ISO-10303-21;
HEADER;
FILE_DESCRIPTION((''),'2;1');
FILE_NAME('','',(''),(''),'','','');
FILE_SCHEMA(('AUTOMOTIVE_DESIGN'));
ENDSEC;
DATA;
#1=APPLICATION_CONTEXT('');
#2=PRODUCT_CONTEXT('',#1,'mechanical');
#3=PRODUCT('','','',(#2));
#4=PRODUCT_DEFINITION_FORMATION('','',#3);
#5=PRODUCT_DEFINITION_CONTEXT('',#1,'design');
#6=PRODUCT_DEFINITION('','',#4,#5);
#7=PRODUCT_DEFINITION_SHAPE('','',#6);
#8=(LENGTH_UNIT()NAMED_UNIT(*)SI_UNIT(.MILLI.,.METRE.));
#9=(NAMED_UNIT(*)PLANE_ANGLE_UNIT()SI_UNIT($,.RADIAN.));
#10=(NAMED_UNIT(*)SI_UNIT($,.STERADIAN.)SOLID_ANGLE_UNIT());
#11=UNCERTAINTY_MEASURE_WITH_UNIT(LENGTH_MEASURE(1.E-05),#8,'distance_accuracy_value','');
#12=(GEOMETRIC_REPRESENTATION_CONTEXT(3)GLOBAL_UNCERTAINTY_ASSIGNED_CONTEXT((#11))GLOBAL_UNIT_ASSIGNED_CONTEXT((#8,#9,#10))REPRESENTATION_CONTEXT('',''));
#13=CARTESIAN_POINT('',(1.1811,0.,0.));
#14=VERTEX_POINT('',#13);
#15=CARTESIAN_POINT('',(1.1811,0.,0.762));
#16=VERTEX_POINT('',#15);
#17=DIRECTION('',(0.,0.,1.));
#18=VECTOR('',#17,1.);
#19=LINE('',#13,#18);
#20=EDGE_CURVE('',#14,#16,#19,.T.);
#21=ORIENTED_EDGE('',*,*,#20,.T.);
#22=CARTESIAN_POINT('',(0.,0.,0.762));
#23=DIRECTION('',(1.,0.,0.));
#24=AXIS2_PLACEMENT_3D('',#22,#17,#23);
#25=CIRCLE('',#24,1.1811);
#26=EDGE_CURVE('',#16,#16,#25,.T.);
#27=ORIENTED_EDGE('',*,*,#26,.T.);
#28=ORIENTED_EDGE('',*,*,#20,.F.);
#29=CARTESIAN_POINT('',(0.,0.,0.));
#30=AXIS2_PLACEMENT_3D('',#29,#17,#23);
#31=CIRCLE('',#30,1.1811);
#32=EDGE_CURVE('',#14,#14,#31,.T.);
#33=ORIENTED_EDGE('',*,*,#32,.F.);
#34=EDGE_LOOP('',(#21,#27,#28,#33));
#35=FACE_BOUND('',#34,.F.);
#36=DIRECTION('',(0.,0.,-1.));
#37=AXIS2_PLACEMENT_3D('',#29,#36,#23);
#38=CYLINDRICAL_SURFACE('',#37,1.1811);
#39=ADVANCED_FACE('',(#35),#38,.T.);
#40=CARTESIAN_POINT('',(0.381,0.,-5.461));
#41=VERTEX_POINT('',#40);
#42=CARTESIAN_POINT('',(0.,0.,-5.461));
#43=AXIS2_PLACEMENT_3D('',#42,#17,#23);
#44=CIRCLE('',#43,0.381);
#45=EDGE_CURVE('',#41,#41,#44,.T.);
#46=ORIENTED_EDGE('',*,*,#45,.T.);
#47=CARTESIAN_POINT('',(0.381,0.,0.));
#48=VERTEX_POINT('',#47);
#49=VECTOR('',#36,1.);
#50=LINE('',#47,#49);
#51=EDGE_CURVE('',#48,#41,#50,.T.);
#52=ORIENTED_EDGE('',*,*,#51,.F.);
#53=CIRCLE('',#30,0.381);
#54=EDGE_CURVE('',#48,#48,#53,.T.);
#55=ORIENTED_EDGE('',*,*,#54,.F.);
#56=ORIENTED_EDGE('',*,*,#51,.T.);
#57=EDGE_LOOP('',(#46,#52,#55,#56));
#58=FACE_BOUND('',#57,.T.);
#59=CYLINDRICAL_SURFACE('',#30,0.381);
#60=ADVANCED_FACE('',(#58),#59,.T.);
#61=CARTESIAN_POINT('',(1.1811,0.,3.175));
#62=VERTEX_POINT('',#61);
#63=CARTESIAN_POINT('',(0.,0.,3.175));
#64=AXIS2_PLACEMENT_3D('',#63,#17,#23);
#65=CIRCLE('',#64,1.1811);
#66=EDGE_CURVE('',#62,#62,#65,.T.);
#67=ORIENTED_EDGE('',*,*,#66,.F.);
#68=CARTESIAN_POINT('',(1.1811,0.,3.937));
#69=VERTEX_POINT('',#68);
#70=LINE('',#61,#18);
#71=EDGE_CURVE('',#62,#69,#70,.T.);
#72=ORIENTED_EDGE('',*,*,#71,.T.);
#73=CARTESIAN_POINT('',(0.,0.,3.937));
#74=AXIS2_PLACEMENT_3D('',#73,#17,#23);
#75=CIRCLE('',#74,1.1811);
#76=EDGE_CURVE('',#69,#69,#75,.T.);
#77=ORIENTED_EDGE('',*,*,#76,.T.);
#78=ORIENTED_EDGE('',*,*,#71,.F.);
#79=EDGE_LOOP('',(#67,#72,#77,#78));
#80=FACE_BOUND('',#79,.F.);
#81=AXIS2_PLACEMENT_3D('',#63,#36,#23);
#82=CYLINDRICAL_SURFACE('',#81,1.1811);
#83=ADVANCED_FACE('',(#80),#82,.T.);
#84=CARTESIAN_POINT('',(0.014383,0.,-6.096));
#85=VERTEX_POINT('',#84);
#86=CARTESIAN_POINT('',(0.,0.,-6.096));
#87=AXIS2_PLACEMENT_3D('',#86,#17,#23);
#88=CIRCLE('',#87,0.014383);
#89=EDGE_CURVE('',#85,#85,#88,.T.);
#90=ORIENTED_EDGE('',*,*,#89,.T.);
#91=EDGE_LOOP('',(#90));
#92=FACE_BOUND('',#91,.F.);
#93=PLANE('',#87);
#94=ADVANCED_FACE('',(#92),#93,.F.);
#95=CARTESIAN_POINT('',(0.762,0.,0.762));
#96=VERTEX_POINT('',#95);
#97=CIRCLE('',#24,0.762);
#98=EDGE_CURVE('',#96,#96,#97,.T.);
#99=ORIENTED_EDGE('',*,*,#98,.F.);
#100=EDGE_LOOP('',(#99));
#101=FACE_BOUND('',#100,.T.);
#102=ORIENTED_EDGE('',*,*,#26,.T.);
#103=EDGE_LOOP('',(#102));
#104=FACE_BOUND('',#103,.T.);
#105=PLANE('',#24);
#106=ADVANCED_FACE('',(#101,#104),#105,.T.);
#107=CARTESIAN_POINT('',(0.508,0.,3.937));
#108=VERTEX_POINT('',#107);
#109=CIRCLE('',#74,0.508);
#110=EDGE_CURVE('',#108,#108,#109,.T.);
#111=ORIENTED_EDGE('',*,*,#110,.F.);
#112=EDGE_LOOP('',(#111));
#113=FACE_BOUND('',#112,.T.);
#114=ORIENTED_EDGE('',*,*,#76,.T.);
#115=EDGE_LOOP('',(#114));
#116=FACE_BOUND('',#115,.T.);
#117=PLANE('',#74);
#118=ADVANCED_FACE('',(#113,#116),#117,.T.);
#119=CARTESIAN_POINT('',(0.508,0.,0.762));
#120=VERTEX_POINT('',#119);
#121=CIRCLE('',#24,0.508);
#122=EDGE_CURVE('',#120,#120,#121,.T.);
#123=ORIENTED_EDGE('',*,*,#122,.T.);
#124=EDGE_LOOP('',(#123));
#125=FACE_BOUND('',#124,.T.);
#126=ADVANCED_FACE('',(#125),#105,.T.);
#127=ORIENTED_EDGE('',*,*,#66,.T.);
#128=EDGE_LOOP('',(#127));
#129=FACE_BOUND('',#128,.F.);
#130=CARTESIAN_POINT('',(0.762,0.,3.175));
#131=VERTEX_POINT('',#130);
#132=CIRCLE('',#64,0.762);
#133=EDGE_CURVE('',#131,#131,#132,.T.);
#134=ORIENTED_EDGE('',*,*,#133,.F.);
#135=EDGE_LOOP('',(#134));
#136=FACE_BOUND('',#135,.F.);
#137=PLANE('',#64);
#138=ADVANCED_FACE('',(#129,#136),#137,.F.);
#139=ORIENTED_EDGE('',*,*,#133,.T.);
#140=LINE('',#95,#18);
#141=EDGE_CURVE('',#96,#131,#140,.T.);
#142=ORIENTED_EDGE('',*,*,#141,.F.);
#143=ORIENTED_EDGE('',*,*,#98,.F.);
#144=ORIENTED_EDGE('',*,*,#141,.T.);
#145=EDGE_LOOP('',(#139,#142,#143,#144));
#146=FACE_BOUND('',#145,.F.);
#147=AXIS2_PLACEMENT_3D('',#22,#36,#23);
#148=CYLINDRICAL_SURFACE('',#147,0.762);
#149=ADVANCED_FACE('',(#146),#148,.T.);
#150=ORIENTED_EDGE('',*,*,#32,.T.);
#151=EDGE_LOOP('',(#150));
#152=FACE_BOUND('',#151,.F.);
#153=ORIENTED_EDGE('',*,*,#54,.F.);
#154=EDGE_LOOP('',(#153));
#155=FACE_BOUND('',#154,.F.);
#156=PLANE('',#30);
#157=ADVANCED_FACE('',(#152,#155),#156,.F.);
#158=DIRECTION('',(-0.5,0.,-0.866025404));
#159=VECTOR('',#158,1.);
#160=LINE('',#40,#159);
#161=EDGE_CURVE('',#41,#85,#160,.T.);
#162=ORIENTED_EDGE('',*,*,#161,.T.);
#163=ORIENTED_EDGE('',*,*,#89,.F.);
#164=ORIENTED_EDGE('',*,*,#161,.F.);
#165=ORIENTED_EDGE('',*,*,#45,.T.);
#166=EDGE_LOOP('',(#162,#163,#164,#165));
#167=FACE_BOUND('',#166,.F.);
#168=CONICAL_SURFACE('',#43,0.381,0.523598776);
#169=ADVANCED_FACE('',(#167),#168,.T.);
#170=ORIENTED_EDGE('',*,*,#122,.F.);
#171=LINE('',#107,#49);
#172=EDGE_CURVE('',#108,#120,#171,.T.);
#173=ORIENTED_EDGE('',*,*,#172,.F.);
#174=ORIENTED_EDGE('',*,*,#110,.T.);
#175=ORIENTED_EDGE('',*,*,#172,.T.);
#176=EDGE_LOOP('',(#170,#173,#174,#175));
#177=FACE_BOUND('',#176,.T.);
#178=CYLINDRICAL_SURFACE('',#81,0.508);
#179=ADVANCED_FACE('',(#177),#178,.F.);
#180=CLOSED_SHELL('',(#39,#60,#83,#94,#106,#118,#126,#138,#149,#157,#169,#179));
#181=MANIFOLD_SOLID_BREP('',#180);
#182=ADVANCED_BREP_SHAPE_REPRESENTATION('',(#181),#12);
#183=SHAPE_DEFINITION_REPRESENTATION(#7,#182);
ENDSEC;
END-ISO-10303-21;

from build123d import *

# Parameters (mm, degrees)
F0_R      = 0.381
F1_DEPTH  = 6.096
F2_SIZE2  = 0.3666174209
F2_SIZE   = 0.635
F0_R_2    = 1.1811
F1_FACE_R = 0.381
F3_DEPTH  = 0.762
F4_R      = 0.762
F4_R_2    = 0.508
F5_DEPTH  = 2.413
F6_R      = 1.1811
F6_R_2    = 0.762
F6_R_3    = 0.508
F7_DEPTH  = 0.762


with BuildPart() as f1:
    # F0 (on Top) → F1 (new body)
    with BuildSketch(Plane.XY):
        Circle(F0_R)
    extrude(amount=-F1_DEPTH)

    # F2
    f2_edges = [f1.edges().sort_by_distance(p)[0] for p in [
        (-0.381, 0, -6.096),
    ]]
    f2_side = f1.faces().sort_by_distance((-0.381, 0, -3.048))[0]
    chamfer(f2_edges, length=F2_SIZE, length2=F2_SIZE2, reference=f2_side)

    # F0 (on Top) + F1_face (on face) → F3 (join)
    with BuildSketch(Plane.XY):
        Circle(F0_R_2)
        Circle(F0_R, mode=Mode.SUBTRACT)
    with BuildSketch(Plane.XY):
        Circle(F1_FACE_R)
    extrude(amount=F3_DEPTH)

    # F4 (on face) → F5 (join)
    with BuildSketch(Plane.XY.offset(0.762)):
        Circle(F4_R)
        Circle(F4_R_2, mode=Mode.SUBTRACT)
    extrude(amount=F5_DEPTH)

    # F6 (on face) → F7 (join)
    with BuildSketch(Plane.XY.offset(3.175)):
        Circle(F6_R)
        Circle(F6_R_2, mode=Mode.SUBTRACT)
        Circle(F6_R_2)
        Circle(F6_R_3, mode=Mode.SUBTRACT)
    extrude(amount=F7_DEPTH)


solid = f1.part
